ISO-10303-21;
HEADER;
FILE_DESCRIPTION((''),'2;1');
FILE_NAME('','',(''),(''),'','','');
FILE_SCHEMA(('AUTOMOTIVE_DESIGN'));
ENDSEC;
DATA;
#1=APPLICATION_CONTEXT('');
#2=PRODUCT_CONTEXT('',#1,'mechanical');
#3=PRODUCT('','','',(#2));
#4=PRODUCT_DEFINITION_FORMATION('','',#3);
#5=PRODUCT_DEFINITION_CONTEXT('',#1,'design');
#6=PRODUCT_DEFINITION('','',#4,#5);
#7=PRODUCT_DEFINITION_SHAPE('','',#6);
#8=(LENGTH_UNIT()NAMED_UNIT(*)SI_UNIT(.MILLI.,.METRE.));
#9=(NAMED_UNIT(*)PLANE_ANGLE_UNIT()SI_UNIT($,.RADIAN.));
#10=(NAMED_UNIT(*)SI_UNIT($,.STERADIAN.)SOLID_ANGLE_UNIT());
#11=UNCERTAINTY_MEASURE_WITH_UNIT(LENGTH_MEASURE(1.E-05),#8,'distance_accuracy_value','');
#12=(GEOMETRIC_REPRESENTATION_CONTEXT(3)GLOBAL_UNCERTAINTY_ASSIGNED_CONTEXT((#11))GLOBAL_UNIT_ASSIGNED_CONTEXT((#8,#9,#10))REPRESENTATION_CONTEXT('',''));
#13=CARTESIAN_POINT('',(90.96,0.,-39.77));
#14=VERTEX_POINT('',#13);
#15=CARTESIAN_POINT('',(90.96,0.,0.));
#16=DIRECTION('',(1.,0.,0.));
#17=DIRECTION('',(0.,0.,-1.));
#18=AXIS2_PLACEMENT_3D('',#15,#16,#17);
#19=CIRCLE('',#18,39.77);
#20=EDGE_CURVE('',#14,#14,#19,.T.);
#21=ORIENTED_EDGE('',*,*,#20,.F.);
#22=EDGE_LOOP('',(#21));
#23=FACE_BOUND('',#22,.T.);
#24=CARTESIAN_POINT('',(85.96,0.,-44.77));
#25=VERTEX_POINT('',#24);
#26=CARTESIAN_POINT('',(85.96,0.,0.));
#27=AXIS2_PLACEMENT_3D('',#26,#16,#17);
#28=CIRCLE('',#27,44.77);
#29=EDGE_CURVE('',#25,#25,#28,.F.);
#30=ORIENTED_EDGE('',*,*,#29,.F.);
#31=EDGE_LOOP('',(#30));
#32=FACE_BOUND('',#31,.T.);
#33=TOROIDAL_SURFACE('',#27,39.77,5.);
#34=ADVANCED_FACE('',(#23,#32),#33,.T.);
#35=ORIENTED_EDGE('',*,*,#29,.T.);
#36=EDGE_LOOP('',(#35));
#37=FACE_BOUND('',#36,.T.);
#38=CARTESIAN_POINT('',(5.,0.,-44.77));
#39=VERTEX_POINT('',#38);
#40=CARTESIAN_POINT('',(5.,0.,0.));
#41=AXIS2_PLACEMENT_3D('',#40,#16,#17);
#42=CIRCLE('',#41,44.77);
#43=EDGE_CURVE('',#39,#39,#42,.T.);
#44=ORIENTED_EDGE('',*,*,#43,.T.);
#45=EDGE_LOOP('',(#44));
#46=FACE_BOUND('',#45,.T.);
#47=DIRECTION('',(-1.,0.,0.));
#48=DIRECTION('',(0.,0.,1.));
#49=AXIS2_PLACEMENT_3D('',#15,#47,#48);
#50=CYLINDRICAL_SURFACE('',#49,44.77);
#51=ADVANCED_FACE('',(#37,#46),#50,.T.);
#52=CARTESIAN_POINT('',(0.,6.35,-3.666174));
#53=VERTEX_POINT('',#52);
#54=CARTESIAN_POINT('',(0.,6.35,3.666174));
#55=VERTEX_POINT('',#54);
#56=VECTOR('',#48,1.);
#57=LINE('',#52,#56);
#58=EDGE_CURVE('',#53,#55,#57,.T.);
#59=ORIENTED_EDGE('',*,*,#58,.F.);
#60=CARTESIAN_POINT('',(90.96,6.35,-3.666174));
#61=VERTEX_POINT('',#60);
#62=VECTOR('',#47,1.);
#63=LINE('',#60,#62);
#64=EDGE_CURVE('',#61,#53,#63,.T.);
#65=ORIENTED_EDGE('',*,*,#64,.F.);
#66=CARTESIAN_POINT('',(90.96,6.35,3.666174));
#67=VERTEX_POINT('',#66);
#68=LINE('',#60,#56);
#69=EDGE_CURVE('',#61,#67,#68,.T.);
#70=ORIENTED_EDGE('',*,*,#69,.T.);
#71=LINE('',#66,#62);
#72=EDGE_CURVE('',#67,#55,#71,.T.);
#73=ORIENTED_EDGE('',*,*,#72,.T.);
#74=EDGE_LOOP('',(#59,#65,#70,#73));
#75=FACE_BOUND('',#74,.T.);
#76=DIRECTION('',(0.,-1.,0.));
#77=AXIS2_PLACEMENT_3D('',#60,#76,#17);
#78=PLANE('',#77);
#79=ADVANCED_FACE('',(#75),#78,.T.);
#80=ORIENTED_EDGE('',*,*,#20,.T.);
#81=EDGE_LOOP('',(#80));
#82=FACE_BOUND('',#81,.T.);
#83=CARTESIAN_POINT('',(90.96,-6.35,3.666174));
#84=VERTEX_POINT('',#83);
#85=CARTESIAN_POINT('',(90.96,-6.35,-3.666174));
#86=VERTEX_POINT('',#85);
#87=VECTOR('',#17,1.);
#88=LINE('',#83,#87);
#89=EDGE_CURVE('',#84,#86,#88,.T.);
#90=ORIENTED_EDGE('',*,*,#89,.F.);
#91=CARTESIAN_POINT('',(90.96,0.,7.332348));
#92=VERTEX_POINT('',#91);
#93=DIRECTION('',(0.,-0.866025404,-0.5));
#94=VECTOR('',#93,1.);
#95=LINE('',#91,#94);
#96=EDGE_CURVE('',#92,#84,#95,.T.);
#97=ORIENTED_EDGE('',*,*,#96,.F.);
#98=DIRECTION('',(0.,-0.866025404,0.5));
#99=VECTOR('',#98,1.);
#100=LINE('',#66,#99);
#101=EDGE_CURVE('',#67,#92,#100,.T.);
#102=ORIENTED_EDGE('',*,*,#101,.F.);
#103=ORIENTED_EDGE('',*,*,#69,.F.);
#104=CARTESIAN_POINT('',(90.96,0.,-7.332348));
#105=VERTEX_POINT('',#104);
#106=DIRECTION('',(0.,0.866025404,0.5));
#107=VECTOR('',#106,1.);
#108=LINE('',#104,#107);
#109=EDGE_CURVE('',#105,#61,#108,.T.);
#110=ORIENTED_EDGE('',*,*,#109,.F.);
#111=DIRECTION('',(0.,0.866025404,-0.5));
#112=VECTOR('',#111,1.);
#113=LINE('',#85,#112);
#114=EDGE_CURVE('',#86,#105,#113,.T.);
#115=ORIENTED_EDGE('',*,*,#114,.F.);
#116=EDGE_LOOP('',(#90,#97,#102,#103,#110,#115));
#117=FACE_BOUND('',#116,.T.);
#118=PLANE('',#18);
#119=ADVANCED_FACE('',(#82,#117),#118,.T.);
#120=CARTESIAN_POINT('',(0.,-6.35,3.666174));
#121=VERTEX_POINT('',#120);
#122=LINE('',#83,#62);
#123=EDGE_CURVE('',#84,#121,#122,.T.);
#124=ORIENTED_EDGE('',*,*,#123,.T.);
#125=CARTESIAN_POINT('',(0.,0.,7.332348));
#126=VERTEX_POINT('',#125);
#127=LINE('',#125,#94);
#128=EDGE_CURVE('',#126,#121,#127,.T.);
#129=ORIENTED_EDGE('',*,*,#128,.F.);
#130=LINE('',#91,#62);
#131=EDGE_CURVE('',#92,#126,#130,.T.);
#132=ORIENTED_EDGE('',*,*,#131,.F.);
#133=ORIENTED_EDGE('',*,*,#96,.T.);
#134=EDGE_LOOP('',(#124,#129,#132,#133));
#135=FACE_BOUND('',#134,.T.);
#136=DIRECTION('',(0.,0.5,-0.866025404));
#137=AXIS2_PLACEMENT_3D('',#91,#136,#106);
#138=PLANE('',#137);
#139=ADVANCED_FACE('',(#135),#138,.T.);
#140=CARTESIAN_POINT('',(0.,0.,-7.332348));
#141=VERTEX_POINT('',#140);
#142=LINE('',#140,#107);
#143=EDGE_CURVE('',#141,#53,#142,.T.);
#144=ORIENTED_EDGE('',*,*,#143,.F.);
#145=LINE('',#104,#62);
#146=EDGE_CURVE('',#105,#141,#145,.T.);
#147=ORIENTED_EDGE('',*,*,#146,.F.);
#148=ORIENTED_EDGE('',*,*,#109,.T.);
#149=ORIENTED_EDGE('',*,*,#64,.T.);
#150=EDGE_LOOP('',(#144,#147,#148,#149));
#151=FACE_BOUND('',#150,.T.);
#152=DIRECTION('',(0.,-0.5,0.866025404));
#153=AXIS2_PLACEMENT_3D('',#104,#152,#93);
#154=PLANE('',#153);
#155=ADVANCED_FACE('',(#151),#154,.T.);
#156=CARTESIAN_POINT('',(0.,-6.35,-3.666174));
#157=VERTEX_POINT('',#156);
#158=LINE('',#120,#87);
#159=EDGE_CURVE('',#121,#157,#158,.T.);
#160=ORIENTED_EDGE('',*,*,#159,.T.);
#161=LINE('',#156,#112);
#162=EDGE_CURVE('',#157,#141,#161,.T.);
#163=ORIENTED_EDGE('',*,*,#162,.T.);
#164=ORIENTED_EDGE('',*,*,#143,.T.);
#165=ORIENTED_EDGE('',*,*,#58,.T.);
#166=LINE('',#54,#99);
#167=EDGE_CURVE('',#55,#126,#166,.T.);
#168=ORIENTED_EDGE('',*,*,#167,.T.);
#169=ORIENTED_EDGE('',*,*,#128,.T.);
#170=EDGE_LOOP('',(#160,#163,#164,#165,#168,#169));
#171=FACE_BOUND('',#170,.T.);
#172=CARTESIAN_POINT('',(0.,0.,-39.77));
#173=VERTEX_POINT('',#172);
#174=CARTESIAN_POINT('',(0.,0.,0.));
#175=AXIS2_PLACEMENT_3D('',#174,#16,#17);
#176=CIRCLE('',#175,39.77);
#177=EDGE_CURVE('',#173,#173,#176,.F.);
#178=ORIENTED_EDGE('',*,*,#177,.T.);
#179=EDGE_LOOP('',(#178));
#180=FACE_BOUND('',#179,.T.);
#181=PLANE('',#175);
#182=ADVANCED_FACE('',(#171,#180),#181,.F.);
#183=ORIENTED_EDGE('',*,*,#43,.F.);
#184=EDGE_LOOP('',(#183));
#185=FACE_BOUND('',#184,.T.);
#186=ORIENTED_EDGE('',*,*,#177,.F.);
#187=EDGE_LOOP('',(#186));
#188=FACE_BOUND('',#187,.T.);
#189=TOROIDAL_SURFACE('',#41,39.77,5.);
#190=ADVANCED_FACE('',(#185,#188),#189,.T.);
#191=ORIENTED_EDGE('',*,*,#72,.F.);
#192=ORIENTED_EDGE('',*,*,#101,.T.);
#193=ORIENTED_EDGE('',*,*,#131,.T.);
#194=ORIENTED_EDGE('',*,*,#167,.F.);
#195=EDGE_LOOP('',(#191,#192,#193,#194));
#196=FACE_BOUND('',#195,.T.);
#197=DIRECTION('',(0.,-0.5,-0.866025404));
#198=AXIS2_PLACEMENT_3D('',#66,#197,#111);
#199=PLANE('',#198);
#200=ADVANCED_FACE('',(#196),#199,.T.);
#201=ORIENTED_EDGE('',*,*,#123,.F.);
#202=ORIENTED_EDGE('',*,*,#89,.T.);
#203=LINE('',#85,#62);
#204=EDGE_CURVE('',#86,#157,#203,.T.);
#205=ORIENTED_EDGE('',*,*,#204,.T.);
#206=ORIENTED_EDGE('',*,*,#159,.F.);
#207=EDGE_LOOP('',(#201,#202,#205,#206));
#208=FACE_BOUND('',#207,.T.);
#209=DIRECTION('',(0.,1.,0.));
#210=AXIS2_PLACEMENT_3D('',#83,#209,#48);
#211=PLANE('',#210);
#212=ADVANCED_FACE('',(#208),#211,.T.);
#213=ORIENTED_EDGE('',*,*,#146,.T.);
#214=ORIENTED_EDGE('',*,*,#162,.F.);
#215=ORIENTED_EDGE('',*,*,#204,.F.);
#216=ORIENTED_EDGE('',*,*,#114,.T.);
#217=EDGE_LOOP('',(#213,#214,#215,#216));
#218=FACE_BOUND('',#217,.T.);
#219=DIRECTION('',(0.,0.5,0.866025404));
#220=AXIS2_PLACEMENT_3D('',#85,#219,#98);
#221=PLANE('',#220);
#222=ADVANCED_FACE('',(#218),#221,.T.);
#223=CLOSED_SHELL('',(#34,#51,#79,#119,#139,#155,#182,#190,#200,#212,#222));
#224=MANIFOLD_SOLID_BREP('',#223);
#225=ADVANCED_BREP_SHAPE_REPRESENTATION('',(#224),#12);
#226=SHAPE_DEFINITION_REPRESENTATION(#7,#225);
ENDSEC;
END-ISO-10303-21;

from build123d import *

# Parameters (mm, degrees)
CROQUIS1_R              = 44.77
SALIENTE_EXTRUIR1_DEPTH = 90.96
REDONDEO1_R             = 5


with BuildPart() as part:
    # Croquis1 → Saliente-Extruir1 (new body)
    with BuildSketch(Plane(origin=(0, 0, 0), x_dir=(0, 0, -1), z_dir=(1, 0, 0))):
        Circle(CROQUIS1_R)
        Polygon((7.332348419, 0), (3.666174209, 6.35), (-3.666174209, 6.35), (-7.332348419, 0), (-3.666174209, -6.35), (3.666174209, -6.35), align=None, mode=Mode.SUBTRACT)
    extrude(amount=SALIENTE_EXTRUIR1_DEPTH)

    # Redondeo1
    redondeo1_edges = [part.edges().sort_by_distance(p)[0] for p in [
        (0, 0, 44.77),
        (90.96, 0, 44.77),
    ]]
    fillet(redondeo1_edges, radius=REDONDEO1_R)


solid = part.part
